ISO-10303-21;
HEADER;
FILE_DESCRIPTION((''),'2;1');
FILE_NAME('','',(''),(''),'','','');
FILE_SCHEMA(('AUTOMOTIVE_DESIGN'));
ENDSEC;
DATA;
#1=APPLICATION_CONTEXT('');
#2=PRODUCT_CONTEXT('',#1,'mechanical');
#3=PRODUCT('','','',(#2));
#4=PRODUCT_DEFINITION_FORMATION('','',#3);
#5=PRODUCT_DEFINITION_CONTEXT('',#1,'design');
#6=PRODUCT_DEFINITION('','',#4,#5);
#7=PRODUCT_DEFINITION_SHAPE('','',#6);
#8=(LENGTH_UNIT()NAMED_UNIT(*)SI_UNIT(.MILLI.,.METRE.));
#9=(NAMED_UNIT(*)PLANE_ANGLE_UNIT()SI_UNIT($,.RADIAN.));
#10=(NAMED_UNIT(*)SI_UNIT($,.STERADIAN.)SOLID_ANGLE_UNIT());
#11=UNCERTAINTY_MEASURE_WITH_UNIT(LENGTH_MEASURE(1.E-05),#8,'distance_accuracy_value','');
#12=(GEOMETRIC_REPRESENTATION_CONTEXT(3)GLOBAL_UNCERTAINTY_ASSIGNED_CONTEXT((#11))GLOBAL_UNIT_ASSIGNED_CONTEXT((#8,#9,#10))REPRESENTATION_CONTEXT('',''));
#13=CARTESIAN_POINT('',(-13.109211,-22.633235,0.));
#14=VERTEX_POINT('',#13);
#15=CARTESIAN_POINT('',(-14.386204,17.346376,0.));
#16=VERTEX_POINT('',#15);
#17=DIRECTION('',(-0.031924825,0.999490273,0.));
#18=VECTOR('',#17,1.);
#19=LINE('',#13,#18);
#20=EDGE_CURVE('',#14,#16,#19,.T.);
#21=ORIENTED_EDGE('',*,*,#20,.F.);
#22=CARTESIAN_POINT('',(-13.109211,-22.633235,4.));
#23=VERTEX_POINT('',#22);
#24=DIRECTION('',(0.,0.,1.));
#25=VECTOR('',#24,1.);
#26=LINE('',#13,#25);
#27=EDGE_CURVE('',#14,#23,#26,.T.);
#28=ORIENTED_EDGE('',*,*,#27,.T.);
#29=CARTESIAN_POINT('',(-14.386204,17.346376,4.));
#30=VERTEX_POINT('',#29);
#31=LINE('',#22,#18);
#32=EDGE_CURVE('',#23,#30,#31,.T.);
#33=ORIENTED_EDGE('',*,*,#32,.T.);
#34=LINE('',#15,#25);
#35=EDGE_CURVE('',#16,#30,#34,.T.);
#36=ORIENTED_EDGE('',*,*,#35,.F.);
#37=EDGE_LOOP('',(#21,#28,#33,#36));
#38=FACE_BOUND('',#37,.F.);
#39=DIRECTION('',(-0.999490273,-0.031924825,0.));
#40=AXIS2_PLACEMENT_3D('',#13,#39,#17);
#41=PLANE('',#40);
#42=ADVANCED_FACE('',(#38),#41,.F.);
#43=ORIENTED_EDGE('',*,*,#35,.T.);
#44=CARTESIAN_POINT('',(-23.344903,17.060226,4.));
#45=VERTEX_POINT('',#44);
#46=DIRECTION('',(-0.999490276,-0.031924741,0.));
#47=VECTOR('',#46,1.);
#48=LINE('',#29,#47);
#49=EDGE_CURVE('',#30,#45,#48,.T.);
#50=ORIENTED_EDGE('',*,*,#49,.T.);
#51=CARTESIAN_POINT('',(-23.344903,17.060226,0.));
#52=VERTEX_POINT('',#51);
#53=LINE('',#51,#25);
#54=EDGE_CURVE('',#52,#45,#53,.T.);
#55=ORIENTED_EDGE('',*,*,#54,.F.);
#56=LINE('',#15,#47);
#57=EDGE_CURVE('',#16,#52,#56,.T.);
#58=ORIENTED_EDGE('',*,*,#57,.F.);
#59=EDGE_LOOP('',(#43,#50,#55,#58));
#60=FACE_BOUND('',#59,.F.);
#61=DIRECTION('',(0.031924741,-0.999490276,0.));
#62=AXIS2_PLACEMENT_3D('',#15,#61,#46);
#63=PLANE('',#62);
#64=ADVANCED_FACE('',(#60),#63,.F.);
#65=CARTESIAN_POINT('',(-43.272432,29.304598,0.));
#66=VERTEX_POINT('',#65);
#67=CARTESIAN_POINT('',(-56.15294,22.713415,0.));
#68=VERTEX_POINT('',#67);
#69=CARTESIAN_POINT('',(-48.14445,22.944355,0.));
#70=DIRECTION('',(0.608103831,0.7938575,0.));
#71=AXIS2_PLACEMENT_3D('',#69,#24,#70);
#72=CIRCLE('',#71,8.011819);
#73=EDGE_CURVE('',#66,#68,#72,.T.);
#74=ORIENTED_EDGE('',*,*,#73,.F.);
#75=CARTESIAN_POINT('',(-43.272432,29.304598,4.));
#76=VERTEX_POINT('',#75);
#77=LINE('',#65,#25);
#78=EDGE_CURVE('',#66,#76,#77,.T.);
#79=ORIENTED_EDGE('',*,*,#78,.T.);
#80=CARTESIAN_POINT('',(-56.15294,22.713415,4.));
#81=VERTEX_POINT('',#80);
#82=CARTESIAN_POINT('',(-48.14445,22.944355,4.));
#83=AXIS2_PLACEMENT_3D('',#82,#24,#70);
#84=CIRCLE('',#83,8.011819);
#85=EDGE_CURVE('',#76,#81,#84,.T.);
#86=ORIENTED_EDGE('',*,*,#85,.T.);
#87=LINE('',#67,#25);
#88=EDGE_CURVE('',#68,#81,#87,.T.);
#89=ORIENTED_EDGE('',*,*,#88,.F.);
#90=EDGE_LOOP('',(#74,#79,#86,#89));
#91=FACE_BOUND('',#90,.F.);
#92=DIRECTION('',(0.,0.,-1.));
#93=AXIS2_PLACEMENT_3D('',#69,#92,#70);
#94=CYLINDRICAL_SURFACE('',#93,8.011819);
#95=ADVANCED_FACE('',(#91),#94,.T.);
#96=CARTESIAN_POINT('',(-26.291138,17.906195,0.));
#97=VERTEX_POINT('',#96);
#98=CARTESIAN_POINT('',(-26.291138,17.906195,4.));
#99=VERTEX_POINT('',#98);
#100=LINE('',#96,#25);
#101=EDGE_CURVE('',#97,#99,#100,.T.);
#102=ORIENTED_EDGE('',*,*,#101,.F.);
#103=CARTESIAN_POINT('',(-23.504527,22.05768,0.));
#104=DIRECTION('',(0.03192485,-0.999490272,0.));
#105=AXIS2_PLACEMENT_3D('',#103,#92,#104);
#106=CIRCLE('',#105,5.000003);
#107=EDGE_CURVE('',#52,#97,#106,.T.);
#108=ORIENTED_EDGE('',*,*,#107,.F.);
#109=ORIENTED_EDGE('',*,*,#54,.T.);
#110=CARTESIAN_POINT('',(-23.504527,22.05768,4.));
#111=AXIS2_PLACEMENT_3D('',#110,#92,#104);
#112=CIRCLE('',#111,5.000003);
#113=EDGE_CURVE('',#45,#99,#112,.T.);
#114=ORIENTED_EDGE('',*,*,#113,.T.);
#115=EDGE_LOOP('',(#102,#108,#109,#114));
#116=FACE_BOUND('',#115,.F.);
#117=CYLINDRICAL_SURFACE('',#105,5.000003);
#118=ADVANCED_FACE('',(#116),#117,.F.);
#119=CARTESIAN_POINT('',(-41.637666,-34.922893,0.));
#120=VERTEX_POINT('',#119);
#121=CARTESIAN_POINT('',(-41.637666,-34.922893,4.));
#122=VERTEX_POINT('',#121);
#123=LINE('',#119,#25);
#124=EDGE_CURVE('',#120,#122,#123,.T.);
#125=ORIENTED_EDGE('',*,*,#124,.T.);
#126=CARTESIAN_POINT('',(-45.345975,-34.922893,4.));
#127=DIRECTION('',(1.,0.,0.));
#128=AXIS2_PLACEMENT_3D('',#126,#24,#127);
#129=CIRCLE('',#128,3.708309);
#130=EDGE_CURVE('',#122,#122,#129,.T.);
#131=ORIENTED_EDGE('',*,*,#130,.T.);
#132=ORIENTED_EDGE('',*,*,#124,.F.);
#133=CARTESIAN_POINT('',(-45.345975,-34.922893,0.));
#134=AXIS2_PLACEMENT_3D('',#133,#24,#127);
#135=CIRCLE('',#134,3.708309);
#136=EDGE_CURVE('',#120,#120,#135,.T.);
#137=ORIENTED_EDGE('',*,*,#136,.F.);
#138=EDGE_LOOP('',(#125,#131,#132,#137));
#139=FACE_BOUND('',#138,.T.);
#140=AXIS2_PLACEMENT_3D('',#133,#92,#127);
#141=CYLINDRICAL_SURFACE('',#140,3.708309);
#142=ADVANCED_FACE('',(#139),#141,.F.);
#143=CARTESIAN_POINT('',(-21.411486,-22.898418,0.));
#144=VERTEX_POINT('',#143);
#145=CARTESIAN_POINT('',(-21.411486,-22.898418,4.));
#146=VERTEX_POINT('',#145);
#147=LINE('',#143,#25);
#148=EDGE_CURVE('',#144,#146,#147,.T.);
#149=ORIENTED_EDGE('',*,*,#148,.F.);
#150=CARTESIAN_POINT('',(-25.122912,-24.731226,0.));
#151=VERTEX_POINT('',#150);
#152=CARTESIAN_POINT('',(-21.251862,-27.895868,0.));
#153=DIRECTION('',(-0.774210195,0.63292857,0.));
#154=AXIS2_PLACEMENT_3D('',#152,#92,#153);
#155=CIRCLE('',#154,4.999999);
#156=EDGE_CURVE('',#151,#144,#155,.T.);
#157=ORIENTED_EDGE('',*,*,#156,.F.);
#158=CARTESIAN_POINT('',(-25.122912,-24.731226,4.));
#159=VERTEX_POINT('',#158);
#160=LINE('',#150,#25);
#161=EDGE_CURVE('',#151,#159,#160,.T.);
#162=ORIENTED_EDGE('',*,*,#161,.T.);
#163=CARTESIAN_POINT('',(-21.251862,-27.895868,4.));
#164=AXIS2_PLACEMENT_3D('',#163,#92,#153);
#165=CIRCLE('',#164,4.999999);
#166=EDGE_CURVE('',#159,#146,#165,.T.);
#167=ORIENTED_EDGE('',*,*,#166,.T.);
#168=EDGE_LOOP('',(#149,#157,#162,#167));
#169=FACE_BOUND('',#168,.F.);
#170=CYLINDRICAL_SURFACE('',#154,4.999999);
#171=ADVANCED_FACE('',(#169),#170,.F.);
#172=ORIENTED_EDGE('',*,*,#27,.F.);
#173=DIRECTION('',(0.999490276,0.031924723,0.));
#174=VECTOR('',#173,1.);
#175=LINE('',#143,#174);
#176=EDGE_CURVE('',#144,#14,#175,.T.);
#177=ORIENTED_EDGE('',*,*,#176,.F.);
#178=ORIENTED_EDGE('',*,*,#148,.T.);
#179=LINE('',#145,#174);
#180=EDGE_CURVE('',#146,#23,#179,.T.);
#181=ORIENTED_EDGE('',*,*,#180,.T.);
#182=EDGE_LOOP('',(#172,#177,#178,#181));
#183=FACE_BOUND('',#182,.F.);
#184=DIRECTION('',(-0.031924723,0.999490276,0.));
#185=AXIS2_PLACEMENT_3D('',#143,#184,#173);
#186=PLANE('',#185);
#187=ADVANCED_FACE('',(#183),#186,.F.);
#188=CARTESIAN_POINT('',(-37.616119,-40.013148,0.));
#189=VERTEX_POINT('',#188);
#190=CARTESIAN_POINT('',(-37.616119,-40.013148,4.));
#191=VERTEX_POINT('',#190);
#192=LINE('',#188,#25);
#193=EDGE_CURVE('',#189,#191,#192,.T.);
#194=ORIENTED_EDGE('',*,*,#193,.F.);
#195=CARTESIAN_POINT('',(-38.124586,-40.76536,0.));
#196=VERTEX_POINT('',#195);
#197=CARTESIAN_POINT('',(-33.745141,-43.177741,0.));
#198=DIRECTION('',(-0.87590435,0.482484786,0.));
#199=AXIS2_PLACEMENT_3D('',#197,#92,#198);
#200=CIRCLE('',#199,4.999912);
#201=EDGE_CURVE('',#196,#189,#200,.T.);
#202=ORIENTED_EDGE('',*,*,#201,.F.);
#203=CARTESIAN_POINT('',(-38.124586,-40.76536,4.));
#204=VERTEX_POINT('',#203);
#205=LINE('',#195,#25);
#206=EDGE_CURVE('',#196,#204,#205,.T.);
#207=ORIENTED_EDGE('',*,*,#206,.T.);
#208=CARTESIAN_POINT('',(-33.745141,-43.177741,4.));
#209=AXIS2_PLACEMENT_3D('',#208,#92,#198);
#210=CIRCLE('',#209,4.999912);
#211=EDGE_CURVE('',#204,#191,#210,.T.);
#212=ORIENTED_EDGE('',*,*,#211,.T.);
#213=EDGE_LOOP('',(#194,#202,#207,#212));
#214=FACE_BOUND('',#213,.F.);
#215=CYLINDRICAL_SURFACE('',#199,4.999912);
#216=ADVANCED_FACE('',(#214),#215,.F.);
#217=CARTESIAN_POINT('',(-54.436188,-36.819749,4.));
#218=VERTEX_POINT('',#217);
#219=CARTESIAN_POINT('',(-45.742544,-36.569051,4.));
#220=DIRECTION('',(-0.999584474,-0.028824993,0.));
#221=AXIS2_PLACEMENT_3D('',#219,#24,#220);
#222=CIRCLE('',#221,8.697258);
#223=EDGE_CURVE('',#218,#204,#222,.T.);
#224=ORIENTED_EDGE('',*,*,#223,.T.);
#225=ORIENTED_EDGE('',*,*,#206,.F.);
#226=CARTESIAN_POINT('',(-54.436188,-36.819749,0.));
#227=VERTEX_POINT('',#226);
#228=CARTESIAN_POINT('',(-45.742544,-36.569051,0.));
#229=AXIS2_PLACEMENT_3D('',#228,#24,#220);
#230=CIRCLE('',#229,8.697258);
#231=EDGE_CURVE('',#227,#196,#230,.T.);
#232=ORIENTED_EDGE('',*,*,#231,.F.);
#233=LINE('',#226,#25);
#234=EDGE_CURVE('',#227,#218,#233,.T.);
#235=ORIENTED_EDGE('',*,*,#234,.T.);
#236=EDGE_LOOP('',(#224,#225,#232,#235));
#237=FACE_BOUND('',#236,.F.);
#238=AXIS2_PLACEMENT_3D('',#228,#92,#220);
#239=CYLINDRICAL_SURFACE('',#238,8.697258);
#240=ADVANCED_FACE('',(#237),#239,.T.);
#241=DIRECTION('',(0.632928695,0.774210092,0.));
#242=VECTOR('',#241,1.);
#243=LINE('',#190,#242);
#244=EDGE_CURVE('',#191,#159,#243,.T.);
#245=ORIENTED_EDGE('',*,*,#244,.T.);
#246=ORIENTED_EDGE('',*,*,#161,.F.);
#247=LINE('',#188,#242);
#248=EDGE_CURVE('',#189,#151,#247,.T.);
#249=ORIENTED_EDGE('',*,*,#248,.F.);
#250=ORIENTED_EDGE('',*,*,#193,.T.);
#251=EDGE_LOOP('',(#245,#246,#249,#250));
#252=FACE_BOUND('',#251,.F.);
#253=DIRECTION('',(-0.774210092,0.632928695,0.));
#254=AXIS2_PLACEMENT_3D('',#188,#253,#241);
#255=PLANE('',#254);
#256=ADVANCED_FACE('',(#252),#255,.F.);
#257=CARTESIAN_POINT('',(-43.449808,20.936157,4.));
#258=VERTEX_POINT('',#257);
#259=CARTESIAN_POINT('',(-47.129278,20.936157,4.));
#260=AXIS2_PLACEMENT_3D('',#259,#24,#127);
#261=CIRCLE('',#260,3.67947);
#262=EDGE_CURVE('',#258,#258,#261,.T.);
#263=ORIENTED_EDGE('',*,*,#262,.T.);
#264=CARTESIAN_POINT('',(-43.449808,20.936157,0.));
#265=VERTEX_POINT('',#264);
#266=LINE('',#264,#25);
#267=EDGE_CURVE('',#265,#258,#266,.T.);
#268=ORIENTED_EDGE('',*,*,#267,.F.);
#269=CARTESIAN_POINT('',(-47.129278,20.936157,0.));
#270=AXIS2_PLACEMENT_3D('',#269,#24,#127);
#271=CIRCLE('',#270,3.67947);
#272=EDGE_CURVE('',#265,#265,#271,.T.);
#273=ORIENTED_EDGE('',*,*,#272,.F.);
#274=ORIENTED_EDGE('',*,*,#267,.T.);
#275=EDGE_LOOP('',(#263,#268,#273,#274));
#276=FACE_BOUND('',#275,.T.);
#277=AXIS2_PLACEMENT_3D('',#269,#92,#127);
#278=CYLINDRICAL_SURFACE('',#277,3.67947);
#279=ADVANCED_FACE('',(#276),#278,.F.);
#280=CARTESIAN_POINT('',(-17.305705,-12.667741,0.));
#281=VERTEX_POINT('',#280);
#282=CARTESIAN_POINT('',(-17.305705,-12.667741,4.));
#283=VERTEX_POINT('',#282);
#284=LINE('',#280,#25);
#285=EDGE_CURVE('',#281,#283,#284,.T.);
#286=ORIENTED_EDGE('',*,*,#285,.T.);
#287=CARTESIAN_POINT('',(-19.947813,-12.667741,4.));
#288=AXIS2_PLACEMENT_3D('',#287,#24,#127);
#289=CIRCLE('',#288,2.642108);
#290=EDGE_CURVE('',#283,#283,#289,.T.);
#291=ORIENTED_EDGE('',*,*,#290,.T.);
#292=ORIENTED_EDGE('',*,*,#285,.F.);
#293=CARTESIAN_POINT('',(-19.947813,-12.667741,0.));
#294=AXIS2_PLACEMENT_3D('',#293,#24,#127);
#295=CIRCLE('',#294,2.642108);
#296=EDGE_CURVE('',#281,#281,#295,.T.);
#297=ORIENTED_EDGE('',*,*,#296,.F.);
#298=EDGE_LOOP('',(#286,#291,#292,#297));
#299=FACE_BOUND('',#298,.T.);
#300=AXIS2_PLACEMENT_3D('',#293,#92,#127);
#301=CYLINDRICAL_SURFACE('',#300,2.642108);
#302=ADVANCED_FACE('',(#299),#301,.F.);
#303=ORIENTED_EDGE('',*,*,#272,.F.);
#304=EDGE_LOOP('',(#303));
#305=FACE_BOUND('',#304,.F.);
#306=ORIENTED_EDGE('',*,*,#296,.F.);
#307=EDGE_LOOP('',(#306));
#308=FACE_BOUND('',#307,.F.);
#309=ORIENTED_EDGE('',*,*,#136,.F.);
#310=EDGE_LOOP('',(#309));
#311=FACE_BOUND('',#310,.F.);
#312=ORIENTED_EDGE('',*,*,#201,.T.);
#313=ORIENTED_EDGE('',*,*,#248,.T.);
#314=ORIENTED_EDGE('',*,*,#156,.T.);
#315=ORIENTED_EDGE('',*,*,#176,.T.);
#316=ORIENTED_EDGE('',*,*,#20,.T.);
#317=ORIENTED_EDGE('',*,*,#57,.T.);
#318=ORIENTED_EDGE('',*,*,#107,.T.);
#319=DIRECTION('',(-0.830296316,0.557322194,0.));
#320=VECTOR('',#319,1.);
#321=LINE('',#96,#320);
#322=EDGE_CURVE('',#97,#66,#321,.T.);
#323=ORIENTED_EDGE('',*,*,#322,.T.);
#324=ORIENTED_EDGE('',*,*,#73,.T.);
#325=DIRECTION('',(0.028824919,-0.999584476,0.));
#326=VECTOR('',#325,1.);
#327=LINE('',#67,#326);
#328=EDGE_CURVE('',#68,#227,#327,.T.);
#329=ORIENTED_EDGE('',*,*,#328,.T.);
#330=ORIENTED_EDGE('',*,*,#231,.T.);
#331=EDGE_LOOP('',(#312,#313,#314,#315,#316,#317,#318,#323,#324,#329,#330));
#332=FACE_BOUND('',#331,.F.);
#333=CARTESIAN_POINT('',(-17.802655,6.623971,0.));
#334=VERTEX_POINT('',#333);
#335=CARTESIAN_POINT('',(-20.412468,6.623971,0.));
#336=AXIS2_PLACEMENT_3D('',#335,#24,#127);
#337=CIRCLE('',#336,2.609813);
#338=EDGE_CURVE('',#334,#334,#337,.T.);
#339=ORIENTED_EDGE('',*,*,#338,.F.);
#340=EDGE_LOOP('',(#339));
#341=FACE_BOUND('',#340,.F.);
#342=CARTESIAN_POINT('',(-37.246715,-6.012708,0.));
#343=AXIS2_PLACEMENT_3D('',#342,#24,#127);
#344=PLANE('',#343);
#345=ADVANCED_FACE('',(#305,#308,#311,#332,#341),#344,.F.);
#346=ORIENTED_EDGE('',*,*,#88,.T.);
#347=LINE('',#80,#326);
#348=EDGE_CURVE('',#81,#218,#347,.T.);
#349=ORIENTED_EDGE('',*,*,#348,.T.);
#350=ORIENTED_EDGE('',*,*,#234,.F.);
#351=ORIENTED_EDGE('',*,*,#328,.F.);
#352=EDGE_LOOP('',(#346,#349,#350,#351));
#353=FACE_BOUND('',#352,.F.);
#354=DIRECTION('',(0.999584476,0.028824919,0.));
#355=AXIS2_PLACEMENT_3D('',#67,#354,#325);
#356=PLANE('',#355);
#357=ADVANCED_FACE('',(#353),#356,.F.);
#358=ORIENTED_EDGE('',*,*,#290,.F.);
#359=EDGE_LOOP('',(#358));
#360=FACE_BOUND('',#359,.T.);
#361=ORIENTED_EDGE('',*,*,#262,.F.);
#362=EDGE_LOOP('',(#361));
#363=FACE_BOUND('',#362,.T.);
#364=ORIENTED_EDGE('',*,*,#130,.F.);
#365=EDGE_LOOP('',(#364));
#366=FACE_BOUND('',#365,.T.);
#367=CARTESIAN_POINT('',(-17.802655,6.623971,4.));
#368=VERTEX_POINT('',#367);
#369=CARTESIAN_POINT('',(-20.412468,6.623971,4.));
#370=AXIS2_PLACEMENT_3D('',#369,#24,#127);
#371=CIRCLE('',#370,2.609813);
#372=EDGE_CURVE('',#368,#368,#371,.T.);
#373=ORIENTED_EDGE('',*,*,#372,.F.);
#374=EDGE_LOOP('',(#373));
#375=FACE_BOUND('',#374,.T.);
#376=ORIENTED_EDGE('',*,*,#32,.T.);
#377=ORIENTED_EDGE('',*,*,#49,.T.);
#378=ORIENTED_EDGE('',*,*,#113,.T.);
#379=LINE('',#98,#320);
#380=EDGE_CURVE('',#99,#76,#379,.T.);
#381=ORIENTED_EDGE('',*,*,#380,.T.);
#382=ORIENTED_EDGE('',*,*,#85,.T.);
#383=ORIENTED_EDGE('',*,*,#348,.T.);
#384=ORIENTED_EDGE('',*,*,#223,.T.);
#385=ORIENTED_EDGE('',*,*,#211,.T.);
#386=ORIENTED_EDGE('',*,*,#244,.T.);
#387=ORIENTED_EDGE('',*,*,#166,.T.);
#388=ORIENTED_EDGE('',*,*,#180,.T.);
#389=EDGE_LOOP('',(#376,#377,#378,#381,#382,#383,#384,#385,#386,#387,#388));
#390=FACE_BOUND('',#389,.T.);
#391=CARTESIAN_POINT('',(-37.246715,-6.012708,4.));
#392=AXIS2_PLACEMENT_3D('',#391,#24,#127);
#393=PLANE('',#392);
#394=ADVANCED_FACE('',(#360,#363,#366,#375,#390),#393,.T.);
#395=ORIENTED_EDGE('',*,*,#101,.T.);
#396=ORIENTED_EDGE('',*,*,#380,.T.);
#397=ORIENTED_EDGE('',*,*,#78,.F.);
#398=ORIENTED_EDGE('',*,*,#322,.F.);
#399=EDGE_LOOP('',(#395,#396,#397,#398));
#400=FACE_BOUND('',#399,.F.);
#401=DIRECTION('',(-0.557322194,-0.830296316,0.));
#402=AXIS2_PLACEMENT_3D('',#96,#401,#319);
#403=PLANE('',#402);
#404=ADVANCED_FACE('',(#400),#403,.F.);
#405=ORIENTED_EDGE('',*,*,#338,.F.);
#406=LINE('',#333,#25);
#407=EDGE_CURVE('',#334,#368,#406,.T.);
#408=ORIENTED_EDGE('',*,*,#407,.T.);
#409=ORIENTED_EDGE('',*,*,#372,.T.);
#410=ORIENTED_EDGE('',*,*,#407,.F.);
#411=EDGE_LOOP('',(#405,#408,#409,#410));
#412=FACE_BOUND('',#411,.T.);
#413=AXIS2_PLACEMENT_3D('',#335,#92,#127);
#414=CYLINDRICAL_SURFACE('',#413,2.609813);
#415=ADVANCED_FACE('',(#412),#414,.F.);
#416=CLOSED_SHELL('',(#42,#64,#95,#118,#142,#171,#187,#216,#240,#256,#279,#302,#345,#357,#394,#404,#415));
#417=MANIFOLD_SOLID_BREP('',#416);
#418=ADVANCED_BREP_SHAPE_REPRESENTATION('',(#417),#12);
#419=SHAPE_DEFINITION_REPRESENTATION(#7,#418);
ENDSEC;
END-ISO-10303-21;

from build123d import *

# Parameters (mm, degrees)
F0_R     = 3.708309
F0_R_2   = 2.642108
F0_R_3   = 3.67947
F0_R_4   = 2.609813
F1_DEPTH = 4


with BuildPart() as f1:
    # F0 (on Top) → F1 (new body)
    with BuildSketch(Plane.XY):
        with BuildLine():
            Line((-21.411486, -22.898418), (-13.109211, -22.633235))
            Line((-13.109211, -22.633235), (-14.386204, 17.346376))
            Line((-14.386204, 17.346376), (-23.344903, 17.060226))
            ThreePointArc((-23.344903, 17.060226), (-24.884447, 17.251866), (-26.291138, 17.906195))
            Line((-26.291138, 17.906195), (-43.272432, 29.304598))
            ThreePointArc((-43.272432, 29.304598), (-51.794147, 30.076603), (-56.15294, 22.713415))
            Line((-56.15294, 22.713415), (-54.436188, -36.819749))
            ThreePointArc((-54.436188, -36.819749), (-47.787351, -45.022515), (-38.124586, -40.76536))
            ThreePointArc((-38.124586, -40.76536), (-37.887462, -40.377688), (-37.616119, -40.013148))
            Line((-37.616119, -40.013148), (-25.122912, -24.731226))
            ThreePointArc((-25.122912, -24.731226), (-23.465768, -23.412721), (-21.411486, -22.898418))
        make_face()
        with Locations((-45.345975, -34.922893)):
            Circle(F0_R, mode=Mode.SUBTRACT)
        with Locations((-19.947813, -12.667741)):
            Circle(F0_R_2, mode=Mode.SUBTRACT)
        with Locations((-47.129278, 20.936157)):
            Circle(F0_R_3, mode=Mode.SUBTRACT)
        with Locations((-20.412468, 6.623971)):
            Circle(F0_R_4, mode=Mode.SUBTRACT)
    extrude(amount=F1_DEPTH)


solid = f1.part
